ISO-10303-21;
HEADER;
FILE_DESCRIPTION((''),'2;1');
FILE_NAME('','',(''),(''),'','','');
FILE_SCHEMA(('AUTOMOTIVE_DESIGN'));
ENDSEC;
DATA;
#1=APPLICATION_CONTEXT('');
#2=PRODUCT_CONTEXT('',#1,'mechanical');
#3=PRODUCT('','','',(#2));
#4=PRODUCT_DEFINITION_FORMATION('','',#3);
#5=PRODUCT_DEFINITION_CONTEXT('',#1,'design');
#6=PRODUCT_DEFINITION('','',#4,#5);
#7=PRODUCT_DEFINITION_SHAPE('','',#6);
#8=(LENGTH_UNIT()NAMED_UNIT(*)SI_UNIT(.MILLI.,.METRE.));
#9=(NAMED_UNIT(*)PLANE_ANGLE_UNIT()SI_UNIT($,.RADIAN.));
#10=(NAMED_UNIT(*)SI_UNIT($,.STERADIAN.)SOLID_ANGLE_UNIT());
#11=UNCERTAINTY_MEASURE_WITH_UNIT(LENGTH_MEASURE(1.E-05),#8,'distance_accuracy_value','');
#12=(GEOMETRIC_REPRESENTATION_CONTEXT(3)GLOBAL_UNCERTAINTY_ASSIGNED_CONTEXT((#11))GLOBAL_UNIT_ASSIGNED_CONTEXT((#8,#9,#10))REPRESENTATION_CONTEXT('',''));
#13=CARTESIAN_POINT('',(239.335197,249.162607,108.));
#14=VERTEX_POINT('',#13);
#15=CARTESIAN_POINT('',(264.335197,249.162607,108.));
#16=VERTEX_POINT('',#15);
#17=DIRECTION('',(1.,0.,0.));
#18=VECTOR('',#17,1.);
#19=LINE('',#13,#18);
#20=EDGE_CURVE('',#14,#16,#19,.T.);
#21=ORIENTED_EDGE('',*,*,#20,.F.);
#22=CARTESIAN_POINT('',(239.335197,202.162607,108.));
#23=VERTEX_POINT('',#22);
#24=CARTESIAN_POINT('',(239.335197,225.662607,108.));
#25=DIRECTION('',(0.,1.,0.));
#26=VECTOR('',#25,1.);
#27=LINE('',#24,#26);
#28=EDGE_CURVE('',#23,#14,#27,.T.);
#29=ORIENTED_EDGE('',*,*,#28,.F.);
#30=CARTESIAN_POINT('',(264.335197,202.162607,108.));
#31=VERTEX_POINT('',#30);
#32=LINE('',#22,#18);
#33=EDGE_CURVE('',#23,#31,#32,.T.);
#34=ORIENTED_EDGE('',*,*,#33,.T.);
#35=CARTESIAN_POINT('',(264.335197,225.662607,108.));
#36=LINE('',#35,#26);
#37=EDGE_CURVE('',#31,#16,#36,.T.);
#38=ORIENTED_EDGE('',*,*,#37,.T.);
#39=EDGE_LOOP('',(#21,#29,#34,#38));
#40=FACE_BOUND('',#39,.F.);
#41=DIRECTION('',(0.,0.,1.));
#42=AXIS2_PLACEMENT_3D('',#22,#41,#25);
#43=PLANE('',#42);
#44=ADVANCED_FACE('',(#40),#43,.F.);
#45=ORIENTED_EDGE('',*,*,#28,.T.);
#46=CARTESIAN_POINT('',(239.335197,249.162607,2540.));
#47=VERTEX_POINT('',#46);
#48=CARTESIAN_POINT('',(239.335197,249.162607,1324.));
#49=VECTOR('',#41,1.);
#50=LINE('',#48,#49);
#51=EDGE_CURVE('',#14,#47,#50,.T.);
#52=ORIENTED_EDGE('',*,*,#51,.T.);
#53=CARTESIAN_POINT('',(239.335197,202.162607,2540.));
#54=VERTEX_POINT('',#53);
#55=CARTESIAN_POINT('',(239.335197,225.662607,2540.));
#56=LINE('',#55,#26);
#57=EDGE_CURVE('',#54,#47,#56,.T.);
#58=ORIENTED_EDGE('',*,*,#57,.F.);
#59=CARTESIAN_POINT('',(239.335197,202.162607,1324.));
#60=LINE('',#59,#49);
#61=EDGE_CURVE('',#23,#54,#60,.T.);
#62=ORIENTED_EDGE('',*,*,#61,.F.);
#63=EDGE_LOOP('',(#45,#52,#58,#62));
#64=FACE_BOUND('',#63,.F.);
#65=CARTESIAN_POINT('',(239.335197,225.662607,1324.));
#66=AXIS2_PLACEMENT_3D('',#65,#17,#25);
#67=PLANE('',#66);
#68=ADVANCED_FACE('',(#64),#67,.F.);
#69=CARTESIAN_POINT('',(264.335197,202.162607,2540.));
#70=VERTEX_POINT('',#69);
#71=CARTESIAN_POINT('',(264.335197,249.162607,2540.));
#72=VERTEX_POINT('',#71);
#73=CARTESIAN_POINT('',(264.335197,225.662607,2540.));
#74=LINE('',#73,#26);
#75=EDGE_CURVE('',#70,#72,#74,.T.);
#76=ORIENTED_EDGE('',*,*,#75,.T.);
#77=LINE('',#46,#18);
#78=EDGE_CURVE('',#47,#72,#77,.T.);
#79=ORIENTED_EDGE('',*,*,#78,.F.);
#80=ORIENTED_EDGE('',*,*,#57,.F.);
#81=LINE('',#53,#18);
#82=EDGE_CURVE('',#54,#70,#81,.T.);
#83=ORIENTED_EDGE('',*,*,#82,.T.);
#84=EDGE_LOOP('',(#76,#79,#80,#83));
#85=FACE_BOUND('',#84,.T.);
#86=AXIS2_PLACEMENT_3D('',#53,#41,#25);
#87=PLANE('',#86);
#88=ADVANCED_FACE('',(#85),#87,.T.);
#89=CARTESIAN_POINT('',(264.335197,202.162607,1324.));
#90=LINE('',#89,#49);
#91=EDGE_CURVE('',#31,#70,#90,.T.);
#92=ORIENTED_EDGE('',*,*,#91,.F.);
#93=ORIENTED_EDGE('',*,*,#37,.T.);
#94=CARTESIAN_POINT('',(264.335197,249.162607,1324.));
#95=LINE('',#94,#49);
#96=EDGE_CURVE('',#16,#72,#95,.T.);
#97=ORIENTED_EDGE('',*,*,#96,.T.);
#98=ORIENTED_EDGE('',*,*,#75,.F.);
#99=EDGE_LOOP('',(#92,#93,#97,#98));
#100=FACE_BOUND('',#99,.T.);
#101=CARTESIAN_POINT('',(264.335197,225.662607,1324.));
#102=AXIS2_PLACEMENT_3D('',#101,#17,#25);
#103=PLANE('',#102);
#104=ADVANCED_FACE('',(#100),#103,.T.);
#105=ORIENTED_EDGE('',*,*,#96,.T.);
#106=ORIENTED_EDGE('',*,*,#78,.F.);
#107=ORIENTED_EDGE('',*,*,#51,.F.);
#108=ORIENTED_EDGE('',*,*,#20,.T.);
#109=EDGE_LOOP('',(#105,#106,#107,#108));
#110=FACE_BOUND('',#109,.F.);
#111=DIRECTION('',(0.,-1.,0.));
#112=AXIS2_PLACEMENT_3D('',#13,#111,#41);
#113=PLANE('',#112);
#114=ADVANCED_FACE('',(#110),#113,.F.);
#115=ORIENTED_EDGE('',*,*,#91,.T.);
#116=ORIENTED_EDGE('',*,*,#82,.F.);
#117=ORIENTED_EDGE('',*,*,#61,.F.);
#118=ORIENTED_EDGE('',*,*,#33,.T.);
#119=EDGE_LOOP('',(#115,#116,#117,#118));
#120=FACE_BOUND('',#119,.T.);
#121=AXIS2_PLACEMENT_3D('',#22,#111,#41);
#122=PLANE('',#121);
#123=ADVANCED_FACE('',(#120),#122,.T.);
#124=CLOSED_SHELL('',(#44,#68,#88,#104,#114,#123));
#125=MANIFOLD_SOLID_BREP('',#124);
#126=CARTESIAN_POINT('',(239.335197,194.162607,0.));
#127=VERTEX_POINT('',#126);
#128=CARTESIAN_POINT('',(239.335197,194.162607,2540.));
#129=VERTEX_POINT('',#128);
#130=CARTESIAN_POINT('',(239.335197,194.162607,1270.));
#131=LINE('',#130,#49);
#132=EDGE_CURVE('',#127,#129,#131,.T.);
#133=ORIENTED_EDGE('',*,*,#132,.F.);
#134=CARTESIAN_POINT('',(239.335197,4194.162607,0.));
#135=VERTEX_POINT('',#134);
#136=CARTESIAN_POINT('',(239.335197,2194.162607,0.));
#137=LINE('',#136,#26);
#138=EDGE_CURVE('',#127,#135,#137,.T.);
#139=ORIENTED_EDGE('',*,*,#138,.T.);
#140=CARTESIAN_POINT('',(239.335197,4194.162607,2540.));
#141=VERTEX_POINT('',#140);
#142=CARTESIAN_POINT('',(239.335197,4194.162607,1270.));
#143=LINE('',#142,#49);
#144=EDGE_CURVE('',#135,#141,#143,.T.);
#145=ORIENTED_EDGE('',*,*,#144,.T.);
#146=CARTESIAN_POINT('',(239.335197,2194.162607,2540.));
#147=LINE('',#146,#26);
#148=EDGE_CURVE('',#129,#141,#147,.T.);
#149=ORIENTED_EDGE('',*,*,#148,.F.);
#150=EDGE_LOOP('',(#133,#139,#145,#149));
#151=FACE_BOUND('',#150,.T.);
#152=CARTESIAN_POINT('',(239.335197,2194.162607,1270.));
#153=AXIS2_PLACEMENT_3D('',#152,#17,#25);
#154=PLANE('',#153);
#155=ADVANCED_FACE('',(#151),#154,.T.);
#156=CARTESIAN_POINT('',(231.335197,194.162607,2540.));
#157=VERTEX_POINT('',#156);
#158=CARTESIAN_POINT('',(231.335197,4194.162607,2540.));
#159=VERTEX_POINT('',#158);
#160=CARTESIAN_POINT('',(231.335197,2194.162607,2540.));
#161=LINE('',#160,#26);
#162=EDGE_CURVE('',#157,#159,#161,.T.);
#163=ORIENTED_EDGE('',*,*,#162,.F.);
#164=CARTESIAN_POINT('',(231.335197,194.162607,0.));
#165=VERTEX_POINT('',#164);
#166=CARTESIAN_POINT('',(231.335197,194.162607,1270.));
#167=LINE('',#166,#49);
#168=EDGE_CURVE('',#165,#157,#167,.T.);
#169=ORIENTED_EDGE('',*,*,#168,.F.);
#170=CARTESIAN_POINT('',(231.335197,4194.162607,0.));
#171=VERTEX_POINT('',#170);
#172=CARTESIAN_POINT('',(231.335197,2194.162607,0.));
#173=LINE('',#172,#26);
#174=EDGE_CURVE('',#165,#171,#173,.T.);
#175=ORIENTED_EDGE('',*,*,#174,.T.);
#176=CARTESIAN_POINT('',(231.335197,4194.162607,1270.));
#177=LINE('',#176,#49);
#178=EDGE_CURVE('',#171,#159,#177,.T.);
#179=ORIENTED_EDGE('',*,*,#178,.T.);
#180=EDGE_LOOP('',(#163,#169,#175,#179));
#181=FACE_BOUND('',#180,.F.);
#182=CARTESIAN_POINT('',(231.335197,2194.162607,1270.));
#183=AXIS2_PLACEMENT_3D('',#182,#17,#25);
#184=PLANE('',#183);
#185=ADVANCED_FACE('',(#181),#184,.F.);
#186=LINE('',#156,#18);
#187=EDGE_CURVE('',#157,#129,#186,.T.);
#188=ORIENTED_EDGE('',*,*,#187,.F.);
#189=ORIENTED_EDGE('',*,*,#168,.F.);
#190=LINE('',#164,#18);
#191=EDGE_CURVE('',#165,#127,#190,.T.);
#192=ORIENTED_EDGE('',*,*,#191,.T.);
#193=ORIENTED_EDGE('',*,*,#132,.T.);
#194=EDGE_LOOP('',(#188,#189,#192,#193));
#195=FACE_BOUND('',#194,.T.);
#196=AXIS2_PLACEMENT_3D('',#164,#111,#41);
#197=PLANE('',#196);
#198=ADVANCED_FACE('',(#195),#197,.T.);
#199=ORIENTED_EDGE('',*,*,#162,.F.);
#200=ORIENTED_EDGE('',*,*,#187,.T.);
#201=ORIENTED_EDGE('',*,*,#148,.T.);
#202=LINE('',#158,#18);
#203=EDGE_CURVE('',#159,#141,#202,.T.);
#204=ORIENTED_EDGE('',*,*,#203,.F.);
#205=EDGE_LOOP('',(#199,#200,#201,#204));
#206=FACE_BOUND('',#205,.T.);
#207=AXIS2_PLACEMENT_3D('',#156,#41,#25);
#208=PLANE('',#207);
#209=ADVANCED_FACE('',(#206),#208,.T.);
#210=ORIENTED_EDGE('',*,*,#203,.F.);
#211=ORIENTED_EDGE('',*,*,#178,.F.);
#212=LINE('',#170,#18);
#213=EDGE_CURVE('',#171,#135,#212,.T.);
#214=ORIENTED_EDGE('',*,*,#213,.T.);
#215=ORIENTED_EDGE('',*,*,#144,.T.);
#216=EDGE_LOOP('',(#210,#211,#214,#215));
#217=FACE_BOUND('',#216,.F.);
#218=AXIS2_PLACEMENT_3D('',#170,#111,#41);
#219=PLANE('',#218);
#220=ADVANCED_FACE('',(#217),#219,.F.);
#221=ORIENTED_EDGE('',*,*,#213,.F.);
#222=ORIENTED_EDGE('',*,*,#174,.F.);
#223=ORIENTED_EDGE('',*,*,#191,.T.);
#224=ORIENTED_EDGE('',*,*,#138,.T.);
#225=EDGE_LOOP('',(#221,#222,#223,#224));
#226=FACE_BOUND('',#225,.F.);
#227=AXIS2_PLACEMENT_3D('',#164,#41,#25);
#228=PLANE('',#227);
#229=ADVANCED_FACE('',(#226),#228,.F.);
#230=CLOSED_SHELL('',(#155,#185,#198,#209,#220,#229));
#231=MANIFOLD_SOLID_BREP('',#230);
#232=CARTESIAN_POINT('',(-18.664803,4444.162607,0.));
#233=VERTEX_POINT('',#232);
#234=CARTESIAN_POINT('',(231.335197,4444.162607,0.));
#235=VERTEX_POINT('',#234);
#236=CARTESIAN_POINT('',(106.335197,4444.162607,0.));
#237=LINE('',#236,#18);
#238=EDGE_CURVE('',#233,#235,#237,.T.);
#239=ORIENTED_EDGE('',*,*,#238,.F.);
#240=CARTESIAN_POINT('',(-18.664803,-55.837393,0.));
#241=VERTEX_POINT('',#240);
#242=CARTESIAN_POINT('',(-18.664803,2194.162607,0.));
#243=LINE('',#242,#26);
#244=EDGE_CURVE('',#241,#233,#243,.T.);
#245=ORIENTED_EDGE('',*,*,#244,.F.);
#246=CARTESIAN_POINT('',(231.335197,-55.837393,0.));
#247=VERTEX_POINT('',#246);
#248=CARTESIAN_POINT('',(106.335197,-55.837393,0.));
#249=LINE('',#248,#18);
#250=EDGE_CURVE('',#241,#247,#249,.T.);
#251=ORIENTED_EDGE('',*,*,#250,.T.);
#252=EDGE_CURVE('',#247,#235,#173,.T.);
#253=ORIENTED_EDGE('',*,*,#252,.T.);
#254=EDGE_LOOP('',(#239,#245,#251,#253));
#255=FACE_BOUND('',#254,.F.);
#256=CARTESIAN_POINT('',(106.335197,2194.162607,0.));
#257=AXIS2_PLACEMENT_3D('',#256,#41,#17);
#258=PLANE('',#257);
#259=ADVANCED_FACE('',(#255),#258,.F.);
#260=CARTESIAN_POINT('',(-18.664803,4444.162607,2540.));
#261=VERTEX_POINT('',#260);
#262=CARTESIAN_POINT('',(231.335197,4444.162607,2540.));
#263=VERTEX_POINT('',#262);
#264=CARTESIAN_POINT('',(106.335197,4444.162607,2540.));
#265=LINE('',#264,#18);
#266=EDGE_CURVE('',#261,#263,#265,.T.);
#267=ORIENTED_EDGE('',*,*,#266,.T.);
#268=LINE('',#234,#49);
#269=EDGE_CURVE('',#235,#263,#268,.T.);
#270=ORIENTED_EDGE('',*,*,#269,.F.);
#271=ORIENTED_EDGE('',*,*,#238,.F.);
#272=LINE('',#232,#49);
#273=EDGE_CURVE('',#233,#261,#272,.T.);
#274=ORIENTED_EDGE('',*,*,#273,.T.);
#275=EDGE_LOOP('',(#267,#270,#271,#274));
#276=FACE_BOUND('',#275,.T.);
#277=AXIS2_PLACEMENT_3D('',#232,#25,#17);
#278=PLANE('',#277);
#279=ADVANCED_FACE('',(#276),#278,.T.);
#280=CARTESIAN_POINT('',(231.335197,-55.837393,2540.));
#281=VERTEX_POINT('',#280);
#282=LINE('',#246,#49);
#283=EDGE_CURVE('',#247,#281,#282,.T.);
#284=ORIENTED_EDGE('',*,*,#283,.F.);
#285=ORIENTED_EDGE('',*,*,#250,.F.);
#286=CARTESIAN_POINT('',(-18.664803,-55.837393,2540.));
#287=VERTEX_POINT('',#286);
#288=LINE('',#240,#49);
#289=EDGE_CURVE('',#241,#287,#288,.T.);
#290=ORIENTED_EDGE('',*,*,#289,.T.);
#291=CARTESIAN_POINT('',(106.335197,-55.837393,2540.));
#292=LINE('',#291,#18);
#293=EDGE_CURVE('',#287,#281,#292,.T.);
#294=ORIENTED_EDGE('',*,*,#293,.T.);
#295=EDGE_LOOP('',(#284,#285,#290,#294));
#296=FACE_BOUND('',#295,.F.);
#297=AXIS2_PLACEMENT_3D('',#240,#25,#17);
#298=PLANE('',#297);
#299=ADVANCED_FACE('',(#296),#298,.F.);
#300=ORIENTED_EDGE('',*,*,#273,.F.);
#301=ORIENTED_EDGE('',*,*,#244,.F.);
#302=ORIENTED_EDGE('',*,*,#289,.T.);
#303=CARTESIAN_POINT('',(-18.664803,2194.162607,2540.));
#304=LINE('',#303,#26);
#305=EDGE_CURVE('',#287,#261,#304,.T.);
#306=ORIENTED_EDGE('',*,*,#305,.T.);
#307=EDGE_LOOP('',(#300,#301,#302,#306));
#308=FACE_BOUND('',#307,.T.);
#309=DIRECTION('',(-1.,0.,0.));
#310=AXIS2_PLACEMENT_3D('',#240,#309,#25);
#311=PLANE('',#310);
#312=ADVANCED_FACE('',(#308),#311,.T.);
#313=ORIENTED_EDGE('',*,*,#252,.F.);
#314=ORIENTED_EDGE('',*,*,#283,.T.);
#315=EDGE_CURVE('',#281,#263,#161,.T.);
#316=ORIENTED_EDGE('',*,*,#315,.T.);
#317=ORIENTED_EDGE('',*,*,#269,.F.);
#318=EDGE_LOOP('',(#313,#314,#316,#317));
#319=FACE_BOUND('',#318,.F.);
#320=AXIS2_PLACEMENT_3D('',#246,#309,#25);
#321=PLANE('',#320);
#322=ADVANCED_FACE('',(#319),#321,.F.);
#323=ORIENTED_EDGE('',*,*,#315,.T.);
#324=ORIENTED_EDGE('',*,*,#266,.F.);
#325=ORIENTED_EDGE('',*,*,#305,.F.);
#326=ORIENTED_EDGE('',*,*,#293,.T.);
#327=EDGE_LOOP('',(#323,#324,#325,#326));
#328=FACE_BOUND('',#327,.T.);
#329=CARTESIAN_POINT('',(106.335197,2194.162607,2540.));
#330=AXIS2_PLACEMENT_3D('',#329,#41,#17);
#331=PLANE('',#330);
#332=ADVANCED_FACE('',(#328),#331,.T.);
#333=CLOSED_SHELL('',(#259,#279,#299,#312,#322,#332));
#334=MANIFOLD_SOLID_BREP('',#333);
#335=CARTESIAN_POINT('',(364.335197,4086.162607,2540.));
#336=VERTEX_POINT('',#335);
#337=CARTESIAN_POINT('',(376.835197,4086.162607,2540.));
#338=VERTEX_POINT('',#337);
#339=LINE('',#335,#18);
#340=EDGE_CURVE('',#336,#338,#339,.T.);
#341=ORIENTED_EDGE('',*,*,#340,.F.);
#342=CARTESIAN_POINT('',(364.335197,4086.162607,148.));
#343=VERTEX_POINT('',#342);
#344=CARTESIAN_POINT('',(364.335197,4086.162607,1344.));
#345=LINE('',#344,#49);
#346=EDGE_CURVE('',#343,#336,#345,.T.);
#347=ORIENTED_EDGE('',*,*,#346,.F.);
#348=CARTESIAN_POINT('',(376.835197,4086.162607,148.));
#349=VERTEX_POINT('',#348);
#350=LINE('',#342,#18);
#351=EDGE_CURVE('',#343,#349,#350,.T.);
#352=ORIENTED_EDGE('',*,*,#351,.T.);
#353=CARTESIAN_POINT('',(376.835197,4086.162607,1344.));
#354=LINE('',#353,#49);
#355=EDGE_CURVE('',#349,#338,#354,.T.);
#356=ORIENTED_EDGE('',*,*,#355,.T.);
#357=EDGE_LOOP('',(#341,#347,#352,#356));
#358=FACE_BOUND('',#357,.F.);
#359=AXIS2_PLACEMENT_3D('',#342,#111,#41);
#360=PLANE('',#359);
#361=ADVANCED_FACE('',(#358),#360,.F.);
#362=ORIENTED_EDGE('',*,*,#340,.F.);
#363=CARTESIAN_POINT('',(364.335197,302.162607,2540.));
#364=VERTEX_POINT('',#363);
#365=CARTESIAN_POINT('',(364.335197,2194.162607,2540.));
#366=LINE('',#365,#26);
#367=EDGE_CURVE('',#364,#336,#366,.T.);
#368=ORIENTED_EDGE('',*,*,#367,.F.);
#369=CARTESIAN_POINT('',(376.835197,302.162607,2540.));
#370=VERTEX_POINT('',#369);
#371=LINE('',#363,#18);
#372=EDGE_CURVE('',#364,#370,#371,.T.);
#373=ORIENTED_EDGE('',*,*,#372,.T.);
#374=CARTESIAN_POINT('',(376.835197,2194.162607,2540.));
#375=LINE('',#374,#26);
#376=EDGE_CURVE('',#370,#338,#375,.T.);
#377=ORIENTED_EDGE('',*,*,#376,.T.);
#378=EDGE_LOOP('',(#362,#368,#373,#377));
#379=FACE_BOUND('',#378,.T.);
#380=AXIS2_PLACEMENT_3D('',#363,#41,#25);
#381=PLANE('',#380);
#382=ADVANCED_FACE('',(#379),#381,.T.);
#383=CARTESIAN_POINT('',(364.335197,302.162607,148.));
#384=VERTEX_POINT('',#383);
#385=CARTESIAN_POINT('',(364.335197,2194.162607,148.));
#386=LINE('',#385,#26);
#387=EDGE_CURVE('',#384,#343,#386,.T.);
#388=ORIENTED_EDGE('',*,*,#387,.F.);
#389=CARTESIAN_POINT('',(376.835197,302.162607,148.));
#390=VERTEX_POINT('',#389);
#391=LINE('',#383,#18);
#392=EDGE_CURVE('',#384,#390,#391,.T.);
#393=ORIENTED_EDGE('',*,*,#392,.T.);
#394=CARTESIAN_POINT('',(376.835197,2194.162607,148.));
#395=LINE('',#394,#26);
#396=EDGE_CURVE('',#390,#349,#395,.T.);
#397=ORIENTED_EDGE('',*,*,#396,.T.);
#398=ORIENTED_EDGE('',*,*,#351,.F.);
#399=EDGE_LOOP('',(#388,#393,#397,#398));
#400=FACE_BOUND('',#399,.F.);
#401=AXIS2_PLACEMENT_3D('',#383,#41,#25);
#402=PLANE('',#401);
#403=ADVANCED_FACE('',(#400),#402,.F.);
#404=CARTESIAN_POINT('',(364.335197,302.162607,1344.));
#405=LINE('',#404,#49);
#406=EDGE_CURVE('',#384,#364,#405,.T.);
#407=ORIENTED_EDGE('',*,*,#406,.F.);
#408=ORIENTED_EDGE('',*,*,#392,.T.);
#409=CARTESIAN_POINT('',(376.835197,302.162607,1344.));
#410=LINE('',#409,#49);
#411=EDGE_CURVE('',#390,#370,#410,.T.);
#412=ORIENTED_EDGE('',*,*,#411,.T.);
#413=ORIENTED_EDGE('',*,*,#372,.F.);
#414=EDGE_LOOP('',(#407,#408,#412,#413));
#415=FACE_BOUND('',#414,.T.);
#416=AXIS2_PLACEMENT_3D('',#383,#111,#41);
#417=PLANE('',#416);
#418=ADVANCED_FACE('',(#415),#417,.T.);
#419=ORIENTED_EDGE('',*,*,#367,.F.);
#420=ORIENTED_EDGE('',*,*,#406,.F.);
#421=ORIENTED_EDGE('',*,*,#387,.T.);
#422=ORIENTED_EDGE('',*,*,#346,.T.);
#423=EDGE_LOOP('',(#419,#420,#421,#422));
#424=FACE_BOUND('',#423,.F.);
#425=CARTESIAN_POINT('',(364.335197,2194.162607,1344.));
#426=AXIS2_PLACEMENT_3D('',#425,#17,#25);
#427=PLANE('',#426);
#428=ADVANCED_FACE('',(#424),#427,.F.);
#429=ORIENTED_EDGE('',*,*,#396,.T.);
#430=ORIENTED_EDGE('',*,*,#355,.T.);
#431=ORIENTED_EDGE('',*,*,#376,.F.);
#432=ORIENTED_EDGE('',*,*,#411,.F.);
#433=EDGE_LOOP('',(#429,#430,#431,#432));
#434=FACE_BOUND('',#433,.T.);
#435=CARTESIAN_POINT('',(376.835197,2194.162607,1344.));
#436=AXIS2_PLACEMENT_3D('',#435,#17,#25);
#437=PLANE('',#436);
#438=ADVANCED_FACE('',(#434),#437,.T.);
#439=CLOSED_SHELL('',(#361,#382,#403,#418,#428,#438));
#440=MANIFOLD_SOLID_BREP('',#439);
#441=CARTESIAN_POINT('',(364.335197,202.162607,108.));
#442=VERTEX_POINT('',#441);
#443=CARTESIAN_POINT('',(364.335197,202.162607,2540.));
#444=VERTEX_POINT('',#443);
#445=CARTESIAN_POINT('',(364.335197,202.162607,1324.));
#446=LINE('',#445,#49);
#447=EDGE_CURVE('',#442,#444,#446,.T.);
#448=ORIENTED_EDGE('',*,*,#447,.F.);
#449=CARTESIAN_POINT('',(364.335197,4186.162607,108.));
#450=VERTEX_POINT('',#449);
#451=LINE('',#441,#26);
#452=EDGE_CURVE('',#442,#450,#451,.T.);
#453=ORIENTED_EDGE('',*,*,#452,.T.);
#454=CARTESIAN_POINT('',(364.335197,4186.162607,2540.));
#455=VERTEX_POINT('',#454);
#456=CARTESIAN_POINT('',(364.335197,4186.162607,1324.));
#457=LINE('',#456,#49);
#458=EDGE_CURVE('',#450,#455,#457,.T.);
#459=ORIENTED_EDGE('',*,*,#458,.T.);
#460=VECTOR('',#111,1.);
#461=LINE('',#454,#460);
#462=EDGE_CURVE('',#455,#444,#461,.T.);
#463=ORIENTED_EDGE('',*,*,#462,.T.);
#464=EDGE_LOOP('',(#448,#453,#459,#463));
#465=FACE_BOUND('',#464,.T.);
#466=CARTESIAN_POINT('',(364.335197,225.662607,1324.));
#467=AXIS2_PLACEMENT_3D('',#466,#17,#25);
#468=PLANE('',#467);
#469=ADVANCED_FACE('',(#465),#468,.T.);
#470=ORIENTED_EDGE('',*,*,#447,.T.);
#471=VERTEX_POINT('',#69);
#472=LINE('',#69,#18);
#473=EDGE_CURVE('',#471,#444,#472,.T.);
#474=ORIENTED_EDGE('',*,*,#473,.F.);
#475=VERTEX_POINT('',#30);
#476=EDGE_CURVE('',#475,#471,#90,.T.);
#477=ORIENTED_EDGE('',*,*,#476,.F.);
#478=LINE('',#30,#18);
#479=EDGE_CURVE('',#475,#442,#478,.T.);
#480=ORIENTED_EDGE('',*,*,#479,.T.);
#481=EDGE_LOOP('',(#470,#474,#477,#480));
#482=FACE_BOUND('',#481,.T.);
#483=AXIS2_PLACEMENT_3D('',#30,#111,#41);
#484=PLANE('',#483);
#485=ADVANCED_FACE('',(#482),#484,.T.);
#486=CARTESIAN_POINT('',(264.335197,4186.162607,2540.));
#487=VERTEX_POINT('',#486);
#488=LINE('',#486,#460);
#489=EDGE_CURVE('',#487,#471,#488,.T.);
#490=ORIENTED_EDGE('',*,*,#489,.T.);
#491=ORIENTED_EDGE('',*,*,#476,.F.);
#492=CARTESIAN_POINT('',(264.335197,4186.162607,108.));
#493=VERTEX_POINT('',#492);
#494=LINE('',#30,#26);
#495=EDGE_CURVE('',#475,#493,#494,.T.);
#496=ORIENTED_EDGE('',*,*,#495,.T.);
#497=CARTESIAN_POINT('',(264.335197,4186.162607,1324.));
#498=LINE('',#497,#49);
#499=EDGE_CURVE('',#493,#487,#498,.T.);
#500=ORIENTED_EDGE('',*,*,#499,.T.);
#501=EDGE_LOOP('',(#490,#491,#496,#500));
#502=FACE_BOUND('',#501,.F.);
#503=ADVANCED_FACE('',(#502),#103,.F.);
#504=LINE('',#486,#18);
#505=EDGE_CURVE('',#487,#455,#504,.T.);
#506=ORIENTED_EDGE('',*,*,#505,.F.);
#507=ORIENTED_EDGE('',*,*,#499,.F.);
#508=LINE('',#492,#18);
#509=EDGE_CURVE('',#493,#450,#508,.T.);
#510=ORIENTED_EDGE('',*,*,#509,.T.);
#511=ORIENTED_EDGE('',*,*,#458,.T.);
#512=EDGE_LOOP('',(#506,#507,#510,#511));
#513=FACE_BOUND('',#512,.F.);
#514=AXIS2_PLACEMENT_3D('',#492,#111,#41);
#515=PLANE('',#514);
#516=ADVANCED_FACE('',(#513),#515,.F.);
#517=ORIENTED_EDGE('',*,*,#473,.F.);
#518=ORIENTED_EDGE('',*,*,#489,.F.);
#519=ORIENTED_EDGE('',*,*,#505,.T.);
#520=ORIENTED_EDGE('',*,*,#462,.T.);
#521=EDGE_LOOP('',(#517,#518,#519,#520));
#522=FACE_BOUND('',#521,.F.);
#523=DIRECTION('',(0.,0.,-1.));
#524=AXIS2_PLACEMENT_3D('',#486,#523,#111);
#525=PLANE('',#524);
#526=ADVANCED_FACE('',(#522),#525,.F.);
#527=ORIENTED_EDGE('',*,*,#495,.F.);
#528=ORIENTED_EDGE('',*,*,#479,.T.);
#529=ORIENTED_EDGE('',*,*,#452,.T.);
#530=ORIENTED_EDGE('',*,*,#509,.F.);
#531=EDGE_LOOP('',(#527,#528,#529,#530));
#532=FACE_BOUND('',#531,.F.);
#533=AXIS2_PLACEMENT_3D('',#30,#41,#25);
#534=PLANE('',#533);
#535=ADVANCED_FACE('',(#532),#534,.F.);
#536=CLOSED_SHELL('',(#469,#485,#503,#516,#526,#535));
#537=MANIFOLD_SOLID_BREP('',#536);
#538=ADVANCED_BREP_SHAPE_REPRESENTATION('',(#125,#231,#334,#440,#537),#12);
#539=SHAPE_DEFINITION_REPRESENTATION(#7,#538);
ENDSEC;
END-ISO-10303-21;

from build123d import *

# Parameters (mm, degrees)
F0_W     = 250
F0_H     = 4500
F1_DEPTH = 2540
F2_W     = 4000
F2_H     = 2540
F3_DEPTH = 8
F4_W     = 47
F4_H     = 2432
F5_DEPTH = 25
F6_W     = 47
F6_H     = 2432
F6_W_2   = 3937
F7_DEPTH = 100
F8_W     = 3784
F8_H     = 2392
F9_DEPTH = 12.5


with BuildPart() as f1:
    # F0 (on Top) → F1 (new body)
    with BuildSketch(Plane.XY):
        with Locations((106.335197, 2194.162607)):
            Rectangle(F0_W, F0_H)
    extrude(amount=F1_DEPTH)


with BuildPart() as f3:
    # F2 (on face) → F3 (new body)
    with BuildSketch(Plane.YZ.offset(231.335197)):
        with Locations((2194.162607, 1270)):
            Rectangle(F2_W, F2_H)
    extrude(amount=F3_DEPTH)


with BuildPart() as f5:
    # F4 (on face) → F5 (new body)
    with BuildSketch(Plane.YZ.offset(239.335197)):
        with Locations((225.662607, 1324)):
            Rectangle(F4_W, F4_H)
    extrude(amount=F5_DEPTH)


with BuildPart() as f7:
    # F6 (on face) → F7 (new body)
    with BuildSketch(Plane.YZ.offset(264.335197)):
        with Locations((225.662607, 1324)):
            Rectangle(F6_W, F6_H)
        with Locations((2217.662607, 1324)):
            Rectangle(F6_W_2, F6_H)
    extrude(amount=F7_DEPTH)


with BuildPart() as f9:
    # F8 (on face) → F9 (new body)
    with BuildSketch(Plane.YZ.offset(364.335197)):
        with Locations((2194.162607, 1344)):
            Rectangle(F8_W, F8_H)
    extrude(amount=F9_DEPTH)


solid = Compound([f1.part, f3.part, f5.part, f7.part, f9.part])
